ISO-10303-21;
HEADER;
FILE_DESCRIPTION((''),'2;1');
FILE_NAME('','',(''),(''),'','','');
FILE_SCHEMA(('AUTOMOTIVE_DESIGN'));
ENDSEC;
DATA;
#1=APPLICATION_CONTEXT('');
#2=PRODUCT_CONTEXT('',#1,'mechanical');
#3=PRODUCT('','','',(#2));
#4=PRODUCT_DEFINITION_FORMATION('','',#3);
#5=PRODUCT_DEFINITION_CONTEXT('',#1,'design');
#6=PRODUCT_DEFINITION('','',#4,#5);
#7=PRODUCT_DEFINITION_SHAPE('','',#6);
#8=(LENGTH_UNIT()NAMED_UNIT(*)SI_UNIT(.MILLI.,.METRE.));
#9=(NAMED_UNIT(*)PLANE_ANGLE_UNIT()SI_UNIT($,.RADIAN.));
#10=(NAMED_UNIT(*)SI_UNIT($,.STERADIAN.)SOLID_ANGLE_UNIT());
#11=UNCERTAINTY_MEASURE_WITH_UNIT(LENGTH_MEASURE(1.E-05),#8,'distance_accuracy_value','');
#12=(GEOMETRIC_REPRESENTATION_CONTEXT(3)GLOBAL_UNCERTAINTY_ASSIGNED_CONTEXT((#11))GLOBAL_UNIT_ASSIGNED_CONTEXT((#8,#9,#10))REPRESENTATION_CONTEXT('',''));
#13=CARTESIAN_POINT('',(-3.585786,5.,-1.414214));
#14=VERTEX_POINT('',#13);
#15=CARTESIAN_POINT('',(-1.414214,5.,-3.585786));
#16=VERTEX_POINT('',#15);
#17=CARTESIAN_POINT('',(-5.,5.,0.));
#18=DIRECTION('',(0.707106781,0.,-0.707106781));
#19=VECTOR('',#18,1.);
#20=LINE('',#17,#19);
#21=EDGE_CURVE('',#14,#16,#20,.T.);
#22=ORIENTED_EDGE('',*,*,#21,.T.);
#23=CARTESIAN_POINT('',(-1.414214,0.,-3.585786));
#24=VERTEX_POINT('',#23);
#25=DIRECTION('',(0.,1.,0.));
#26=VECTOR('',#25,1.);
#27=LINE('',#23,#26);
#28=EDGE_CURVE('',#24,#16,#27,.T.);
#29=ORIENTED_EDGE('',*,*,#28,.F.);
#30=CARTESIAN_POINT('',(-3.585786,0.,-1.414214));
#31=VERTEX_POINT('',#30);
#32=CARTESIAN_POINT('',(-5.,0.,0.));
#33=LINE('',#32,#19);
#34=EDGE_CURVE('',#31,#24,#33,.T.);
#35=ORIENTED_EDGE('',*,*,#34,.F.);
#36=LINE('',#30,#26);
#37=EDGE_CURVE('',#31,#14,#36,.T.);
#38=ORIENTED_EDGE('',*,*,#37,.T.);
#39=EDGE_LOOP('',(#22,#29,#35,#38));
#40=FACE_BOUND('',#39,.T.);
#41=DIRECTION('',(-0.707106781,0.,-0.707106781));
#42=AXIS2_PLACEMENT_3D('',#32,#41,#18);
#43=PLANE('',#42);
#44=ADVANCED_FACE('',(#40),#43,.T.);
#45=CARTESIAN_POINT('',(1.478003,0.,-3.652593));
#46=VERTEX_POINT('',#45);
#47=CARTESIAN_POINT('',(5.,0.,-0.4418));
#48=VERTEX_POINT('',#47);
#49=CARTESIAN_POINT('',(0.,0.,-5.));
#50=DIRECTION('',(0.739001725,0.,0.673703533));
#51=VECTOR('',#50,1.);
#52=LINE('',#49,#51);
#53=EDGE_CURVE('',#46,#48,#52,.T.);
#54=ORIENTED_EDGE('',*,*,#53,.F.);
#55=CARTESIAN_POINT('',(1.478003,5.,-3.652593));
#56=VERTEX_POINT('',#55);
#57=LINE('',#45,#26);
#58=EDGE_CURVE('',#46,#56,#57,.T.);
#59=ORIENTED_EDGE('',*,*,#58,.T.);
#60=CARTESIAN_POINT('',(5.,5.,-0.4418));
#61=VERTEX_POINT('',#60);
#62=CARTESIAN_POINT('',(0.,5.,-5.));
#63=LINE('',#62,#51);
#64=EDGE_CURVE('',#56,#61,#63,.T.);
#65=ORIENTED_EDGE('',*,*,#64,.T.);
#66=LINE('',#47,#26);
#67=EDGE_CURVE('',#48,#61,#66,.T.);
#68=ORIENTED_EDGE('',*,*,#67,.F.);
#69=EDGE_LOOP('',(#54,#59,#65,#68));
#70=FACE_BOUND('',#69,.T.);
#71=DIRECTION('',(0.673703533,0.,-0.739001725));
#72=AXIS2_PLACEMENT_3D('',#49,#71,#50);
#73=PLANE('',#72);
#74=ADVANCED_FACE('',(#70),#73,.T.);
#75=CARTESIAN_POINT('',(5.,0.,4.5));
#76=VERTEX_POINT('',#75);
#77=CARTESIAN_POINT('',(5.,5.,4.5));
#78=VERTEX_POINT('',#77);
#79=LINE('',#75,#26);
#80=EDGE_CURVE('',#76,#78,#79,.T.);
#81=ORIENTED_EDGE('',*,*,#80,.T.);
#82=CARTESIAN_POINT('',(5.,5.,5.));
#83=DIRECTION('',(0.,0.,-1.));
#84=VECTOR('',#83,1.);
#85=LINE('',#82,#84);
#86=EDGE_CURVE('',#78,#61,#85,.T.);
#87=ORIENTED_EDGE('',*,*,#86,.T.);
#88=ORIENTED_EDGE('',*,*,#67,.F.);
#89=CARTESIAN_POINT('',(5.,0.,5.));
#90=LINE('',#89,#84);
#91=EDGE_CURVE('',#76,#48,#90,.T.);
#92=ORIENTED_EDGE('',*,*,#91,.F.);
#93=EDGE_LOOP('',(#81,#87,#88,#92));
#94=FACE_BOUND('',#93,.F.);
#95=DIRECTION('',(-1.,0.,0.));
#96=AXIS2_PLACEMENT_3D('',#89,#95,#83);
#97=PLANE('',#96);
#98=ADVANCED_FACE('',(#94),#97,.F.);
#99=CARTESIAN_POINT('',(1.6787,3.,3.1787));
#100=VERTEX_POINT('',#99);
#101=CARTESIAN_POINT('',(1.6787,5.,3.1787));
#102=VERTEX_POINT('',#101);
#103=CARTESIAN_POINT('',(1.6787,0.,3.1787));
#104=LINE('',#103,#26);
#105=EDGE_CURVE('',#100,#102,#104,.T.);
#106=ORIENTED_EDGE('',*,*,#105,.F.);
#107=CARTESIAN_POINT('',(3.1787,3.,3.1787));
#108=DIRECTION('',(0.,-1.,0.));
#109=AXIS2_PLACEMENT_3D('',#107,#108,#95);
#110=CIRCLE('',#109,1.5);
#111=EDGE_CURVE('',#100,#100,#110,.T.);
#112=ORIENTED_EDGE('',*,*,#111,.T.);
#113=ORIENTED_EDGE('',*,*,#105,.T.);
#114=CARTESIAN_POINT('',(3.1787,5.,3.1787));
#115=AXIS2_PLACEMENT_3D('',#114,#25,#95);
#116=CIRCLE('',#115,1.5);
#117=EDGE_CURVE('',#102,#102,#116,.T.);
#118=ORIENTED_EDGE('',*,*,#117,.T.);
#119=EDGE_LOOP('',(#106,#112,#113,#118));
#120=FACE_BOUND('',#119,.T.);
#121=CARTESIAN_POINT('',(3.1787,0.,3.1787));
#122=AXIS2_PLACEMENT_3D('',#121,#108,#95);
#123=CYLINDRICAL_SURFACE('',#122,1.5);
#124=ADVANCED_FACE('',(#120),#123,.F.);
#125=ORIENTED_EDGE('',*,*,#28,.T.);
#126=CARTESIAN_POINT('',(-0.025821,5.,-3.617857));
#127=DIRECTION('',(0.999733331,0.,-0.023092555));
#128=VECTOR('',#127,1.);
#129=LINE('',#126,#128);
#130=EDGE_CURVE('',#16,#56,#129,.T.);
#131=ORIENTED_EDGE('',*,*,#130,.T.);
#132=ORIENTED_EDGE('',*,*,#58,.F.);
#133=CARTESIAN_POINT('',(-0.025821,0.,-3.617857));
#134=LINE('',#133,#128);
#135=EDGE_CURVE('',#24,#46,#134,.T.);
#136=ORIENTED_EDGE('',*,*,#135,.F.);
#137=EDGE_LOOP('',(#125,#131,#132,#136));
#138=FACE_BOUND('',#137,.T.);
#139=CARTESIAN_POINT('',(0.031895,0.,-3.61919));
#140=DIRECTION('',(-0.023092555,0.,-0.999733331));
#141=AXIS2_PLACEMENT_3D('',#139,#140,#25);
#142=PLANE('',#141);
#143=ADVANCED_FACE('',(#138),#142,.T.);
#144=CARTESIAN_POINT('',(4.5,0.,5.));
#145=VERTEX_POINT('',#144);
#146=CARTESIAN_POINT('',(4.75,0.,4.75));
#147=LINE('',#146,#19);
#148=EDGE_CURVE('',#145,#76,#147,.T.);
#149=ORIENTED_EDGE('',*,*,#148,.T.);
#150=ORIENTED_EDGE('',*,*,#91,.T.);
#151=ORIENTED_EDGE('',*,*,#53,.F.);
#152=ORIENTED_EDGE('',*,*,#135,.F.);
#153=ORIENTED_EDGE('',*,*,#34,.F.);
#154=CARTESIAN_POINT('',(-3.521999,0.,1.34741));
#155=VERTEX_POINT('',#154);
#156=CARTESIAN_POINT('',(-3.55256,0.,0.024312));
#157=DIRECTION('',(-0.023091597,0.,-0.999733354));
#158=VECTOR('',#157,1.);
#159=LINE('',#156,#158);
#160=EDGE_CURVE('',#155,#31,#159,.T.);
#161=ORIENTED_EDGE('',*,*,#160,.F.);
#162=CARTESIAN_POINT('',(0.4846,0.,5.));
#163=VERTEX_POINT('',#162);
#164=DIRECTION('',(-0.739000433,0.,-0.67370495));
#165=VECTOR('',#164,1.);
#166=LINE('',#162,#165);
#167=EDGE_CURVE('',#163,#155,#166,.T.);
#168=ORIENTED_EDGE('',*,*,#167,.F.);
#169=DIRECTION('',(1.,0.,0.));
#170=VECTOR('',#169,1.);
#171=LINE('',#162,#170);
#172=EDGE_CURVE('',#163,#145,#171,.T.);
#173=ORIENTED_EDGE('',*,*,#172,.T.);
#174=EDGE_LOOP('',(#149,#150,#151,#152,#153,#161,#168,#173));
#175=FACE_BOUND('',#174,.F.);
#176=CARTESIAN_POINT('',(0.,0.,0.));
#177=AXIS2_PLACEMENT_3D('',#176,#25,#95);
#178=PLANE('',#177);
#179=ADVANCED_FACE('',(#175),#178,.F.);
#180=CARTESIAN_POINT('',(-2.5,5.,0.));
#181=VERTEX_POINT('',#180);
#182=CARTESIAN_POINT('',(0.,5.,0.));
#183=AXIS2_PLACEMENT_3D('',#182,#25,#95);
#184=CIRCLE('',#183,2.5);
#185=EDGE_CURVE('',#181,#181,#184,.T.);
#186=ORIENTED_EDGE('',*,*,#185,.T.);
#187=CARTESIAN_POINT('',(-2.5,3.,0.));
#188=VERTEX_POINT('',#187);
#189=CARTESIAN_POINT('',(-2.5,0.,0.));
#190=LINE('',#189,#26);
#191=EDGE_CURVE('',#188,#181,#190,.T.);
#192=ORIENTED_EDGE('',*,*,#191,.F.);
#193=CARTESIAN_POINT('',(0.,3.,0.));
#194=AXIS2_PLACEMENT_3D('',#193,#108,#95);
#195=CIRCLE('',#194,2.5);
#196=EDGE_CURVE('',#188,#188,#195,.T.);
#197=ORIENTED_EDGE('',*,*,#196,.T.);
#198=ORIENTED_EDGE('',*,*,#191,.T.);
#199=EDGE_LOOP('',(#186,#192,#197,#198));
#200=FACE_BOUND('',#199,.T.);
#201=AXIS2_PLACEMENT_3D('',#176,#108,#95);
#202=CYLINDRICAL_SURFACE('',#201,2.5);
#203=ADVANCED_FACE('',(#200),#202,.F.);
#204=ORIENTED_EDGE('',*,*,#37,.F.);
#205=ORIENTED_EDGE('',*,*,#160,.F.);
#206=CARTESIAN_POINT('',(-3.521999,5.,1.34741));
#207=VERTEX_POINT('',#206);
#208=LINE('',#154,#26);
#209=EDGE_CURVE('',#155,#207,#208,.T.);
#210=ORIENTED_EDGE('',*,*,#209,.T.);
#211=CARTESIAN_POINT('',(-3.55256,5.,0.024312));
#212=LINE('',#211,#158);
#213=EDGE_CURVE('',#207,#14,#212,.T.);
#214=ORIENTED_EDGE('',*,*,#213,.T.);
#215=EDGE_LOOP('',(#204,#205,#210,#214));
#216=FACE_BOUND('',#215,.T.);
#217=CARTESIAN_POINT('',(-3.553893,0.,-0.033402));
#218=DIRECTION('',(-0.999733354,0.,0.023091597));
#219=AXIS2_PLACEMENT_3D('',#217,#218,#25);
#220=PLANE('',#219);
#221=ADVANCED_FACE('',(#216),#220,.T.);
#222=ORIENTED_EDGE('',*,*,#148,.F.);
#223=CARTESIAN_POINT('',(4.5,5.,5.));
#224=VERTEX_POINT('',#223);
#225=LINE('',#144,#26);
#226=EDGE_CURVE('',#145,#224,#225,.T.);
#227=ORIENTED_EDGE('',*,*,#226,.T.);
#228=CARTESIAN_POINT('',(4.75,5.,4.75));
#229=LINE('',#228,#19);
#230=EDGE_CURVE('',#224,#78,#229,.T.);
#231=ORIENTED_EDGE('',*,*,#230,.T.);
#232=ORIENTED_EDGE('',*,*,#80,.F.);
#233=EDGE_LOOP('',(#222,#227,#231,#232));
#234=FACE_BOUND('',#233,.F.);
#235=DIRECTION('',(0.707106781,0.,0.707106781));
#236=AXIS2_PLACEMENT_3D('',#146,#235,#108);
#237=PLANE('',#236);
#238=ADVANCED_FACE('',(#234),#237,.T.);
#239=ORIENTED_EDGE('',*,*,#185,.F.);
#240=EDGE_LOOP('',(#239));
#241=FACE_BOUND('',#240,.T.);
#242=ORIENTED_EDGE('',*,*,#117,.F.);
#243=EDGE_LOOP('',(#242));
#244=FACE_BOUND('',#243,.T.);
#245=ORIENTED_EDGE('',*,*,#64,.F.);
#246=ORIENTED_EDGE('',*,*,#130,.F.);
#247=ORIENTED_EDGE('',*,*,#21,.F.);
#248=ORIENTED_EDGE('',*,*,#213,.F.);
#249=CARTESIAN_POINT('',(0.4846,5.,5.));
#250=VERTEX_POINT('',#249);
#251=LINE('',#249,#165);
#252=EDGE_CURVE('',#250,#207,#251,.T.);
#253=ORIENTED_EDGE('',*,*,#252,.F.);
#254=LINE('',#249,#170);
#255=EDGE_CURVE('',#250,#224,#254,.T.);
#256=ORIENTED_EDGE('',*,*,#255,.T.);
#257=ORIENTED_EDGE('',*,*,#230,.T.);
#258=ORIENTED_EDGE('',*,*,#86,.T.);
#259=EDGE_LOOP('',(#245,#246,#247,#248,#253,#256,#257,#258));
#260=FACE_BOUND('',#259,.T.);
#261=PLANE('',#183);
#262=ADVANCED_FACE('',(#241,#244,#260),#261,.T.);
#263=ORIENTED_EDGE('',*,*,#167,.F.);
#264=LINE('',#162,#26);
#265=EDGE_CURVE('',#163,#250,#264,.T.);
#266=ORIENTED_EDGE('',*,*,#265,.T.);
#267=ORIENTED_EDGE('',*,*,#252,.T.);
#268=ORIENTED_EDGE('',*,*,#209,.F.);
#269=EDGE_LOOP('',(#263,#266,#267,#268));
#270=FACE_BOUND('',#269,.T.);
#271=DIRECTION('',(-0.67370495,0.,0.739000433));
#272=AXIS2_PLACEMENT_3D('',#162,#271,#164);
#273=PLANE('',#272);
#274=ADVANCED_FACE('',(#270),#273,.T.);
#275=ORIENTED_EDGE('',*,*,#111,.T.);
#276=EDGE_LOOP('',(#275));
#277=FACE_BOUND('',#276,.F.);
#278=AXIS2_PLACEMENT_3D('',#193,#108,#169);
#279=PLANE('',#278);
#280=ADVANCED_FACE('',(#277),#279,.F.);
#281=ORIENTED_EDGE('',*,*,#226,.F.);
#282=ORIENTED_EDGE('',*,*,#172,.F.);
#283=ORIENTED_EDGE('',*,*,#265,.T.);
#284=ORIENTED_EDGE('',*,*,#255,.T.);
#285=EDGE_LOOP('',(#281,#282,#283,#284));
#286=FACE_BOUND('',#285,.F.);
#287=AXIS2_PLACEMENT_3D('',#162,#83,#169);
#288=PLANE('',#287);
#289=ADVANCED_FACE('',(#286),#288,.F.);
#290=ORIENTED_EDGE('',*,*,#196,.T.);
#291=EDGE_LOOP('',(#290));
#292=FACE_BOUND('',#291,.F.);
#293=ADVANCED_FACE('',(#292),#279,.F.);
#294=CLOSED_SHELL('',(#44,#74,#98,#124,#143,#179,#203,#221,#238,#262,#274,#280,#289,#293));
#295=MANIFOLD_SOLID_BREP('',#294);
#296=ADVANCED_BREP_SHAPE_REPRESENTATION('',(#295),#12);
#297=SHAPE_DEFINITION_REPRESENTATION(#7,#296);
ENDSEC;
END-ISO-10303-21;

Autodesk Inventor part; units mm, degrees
ref_plane "YZ Plane" through (0, 0, 0) normal (1, 0, 0) x (0, 1, 0)
ref_plane "XZ Plane" through (0, 0, 0) normal (0, 1, 0) x (-1, 0, 0)
ref_plane "XY Plane" through (0, 0, 0) normal (0, 0, 1) x (1, 0, 0)
sketch "Sketch1" plane through (0, 0, 0) normal (0, 1, 0) x (-1, 0, 0)
  line L0 (-0.4846, 5) -> (-5, 5)
  line L1 (-5, 5) -> (-5, -0.4418)
  line L2 (2.3844, 2.3844) -> (-2.6156, -2.6156) construction
  line L3 (-5, 5) -> (2.5, -2.5) construction
  circle A0 centre (0, 0) radius 2.5
  circle A1 centre (-3.1787, 3.1787) radius 1.5
  line L4 (-0.4846, 5) -> (5, 0)
  line L5 (5, 0) -> (0, -5)
  line L6 (0, -5) -> (-5, -0.4418)
  dimension "d2" = 5
  dimension "d3" = 3
extrude "Extrusion1" add sketch "Sketch1" along normal blind 5
sketch "Sketch2" plane through (0, 0, 0) normal (0, -1, 0) x (1, 0, 0)
  circle A0 centre (0, 0) radius 2.5 projected
  circle A1 centre (3.1787, 3.1787) radius 1.5 projected
extrude "Extrusion2" add sketch "Sketch2" against normal blind 3
chamfer "Chamfer1" distance 2 angle 45 2 edges at (0, 2.5, -5) (-5, 2.5, 0)
chamfer "Chamfer2" distance 0.5 angle 45 1 edges at (5, 2.5, 5)
properties part number "test_fit_3_5"
